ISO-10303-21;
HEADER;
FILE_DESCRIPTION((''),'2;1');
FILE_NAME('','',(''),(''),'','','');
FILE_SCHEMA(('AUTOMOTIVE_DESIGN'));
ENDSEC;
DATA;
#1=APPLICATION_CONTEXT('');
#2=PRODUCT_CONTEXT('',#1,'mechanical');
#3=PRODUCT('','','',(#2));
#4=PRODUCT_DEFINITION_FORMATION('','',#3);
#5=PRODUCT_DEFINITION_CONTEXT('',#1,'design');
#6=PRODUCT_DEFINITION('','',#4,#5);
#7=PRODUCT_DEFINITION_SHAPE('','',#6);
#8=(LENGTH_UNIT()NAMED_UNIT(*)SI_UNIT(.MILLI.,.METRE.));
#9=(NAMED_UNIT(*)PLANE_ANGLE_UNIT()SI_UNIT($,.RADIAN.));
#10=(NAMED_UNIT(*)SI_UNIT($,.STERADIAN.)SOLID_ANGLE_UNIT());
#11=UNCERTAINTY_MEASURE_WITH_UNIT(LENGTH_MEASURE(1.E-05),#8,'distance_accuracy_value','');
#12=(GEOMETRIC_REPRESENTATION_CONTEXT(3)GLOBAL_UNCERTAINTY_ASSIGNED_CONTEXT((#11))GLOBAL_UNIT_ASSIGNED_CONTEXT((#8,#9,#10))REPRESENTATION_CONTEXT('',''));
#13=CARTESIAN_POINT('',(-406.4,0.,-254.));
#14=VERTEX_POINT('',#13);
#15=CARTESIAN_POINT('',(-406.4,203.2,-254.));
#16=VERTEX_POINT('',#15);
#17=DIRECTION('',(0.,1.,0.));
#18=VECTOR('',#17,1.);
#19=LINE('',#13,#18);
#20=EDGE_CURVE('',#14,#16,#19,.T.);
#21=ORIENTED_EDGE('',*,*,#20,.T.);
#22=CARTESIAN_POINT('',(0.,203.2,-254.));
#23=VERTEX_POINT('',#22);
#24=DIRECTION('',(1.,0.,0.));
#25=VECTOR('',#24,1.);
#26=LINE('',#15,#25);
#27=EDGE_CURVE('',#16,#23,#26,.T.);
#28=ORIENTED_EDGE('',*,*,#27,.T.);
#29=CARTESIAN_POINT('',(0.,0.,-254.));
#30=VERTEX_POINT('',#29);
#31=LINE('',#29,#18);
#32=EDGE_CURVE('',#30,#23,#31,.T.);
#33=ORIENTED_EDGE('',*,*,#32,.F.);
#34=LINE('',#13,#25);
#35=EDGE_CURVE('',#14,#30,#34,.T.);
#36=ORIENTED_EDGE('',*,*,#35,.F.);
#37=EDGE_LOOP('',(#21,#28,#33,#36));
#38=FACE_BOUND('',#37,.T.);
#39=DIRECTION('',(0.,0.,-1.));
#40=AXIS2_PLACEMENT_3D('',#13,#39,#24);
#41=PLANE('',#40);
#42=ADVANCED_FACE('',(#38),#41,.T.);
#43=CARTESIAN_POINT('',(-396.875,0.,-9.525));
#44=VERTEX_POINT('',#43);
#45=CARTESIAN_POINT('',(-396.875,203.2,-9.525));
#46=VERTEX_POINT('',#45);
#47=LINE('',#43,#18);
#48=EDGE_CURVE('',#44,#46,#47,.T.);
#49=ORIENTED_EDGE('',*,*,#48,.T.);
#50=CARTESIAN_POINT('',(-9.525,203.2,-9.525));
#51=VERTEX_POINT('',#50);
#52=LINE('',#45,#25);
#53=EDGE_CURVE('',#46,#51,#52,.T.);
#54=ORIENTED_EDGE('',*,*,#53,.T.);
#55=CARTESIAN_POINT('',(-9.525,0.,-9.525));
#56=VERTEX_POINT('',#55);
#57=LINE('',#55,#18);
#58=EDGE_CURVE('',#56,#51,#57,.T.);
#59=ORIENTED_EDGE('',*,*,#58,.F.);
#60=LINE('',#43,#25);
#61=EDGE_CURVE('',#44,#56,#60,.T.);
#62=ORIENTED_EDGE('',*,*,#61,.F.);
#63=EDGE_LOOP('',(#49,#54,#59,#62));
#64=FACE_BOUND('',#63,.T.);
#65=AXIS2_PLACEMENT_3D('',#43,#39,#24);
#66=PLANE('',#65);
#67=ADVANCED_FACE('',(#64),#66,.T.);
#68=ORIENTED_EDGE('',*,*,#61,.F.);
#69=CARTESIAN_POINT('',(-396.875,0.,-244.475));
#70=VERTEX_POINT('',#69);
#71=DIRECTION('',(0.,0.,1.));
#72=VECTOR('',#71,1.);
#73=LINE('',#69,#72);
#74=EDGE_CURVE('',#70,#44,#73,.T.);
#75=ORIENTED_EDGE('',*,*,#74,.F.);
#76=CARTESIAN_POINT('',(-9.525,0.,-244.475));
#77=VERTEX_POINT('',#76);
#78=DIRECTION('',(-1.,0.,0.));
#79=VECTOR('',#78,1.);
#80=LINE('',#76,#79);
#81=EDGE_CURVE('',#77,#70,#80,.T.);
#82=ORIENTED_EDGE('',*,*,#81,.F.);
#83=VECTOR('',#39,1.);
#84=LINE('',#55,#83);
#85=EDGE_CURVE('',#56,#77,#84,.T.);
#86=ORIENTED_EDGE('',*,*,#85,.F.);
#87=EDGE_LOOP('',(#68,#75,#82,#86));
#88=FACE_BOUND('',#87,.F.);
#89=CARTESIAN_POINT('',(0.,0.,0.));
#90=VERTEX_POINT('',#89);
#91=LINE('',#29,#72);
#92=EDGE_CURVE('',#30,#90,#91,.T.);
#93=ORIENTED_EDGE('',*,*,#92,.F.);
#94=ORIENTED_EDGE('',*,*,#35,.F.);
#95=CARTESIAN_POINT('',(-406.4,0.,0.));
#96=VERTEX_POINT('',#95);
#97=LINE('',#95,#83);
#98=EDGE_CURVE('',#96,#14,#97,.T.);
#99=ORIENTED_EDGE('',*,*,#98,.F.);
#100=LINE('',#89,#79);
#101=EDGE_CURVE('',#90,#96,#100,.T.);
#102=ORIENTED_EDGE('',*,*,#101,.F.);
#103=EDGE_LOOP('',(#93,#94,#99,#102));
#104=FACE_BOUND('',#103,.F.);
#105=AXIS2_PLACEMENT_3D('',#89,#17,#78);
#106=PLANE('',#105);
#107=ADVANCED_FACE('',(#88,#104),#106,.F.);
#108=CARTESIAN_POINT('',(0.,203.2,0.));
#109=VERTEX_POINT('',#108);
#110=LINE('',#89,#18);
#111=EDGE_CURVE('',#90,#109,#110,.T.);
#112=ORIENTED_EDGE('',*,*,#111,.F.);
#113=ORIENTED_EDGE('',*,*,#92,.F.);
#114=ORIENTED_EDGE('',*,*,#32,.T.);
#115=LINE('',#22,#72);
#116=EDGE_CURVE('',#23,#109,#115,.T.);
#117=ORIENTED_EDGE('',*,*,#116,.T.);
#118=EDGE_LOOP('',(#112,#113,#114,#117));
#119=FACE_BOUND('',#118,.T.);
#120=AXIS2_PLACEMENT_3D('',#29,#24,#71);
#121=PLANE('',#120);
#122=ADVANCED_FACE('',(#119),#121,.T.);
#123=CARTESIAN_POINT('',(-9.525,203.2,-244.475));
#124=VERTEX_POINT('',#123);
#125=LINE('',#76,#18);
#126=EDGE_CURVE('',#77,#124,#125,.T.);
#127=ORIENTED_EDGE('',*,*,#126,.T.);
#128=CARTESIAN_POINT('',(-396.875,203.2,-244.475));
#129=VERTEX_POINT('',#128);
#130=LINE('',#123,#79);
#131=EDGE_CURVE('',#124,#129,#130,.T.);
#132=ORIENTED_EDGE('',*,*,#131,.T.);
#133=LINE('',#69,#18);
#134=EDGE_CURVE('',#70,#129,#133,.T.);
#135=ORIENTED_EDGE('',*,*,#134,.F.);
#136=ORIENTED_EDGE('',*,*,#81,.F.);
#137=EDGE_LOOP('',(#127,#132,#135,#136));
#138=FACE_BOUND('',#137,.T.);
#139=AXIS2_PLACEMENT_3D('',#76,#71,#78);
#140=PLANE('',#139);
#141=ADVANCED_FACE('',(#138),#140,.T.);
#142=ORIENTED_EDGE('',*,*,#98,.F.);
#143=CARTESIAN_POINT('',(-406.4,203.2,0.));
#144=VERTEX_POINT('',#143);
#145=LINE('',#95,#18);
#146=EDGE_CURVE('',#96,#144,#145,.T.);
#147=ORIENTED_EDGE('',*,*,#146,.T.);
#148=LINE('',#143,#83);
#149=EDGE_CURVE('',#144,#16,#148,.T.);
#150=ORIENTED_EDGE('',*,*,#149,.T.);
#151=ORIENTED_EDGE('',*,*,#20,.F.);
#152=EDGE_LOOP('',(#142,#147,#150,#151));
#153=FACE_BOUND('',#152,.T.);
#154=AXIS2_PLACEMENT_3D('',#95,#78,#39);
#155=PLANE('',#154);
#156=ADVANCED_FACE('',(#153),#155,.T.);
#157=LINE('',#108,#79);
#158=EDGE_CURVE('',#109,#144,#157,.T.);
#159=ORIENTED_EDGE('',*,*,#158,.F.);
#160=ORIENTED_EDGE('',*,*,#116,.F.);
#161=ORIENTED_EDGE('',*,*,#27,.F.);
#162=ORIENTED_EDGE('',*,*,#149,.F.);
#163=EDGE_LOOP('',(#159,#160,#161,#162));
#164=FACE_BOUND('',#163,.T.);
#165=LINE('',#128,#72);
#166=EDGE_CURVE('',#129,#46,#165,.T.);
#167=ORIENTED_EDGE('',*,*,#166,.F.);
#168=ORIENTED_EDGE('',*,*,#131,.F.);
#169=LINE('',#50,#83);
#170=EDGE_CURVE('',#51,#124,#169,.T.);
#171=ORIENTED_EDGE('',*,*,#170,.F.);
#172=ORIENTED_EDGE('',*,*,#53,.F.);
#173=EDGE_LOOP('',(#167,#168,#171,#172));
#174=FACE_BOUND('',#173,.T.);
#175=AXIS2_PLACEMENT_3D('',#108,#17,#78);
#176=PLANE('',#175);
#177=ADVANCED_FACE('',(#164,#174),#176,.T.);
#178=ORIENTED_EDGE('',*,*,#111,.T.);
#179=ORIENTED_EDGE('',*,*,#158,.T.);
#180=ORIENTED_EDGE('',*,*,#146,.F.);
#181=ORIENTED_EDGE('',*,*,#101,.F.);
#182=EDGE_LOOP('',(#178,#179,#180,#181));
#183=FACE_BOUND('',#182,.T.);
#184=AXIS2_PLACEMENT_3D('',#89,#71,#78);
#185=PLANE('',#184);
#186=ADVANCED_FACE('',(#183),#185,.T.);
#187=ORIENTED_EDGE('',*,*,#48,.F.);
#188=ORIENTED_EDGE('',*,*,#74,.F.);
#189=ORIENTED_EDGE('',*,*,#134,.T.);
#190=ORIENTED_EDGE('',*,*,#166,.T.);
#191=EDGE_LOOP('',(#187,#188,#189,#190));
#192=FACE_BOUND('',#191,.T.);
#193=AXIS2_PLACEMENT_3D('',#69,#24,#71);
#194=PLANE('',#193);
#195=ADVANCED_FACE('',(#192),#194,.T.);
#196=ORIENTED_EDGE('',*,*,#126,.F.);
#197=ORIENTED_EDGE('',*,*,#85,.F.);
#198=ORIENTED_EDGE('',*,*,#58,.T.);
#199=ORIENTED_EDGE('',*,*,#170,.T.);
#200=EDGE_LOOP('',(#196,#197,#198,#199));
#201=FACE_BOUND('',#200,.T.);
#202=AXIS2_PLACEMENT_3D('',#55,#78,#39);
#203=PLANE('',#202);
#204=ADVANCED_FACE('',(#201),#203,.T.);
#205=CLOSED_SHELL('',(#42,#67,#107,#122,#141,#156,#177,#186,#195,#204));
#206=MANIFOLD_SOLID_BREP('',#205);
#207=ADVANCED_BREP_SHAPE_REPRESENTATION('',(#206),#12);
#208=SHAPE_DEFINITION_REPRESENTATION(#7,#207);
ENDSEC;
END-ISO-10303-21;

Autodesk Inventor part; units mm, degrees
ref_plane "YZ Plane" through (0, 0, 0) normal (1, 0, 0) x (0, 1, 0)
ref_plane "XZ Plane" through (0, 0, 0) normal (0, 1, 0) x (-1, 0, 0)
ref_plane "XY Plane" through (0, 0, 0) normal (0, 0, 1) x (1, 0, 0)
sketch "Sketch1" plane through (0, 0, 0) normal (0, 1, 0) x (-1, 0, 0)
  line L0 (0, 0) -> (406.4, 0)
  line L1 (406.4, 0) -> (406.4, -254)
  line L2 (406.4, -254) -> (0, -254)
  line L3 (0, -254) -> (0, 0)
  line L4 (396.875, -244.475) -> (396.875, -9.525)
  line L5 (396.875, -9.525) -> (9.525, -9.525)
  line L6 (9.525, -9.525) -> (9.525, -244.475)
  line L7 (9.525, -244.475) -> (396.875, -244.475)
  dimension "d0" = 406.4
  dimension "d1" = 254
  dimension "d2" = 9.525
extrude "Extrusion1" add sketch "Sketch1" along normal blind 203.2
properties part number "glass tank" material "Glass"
